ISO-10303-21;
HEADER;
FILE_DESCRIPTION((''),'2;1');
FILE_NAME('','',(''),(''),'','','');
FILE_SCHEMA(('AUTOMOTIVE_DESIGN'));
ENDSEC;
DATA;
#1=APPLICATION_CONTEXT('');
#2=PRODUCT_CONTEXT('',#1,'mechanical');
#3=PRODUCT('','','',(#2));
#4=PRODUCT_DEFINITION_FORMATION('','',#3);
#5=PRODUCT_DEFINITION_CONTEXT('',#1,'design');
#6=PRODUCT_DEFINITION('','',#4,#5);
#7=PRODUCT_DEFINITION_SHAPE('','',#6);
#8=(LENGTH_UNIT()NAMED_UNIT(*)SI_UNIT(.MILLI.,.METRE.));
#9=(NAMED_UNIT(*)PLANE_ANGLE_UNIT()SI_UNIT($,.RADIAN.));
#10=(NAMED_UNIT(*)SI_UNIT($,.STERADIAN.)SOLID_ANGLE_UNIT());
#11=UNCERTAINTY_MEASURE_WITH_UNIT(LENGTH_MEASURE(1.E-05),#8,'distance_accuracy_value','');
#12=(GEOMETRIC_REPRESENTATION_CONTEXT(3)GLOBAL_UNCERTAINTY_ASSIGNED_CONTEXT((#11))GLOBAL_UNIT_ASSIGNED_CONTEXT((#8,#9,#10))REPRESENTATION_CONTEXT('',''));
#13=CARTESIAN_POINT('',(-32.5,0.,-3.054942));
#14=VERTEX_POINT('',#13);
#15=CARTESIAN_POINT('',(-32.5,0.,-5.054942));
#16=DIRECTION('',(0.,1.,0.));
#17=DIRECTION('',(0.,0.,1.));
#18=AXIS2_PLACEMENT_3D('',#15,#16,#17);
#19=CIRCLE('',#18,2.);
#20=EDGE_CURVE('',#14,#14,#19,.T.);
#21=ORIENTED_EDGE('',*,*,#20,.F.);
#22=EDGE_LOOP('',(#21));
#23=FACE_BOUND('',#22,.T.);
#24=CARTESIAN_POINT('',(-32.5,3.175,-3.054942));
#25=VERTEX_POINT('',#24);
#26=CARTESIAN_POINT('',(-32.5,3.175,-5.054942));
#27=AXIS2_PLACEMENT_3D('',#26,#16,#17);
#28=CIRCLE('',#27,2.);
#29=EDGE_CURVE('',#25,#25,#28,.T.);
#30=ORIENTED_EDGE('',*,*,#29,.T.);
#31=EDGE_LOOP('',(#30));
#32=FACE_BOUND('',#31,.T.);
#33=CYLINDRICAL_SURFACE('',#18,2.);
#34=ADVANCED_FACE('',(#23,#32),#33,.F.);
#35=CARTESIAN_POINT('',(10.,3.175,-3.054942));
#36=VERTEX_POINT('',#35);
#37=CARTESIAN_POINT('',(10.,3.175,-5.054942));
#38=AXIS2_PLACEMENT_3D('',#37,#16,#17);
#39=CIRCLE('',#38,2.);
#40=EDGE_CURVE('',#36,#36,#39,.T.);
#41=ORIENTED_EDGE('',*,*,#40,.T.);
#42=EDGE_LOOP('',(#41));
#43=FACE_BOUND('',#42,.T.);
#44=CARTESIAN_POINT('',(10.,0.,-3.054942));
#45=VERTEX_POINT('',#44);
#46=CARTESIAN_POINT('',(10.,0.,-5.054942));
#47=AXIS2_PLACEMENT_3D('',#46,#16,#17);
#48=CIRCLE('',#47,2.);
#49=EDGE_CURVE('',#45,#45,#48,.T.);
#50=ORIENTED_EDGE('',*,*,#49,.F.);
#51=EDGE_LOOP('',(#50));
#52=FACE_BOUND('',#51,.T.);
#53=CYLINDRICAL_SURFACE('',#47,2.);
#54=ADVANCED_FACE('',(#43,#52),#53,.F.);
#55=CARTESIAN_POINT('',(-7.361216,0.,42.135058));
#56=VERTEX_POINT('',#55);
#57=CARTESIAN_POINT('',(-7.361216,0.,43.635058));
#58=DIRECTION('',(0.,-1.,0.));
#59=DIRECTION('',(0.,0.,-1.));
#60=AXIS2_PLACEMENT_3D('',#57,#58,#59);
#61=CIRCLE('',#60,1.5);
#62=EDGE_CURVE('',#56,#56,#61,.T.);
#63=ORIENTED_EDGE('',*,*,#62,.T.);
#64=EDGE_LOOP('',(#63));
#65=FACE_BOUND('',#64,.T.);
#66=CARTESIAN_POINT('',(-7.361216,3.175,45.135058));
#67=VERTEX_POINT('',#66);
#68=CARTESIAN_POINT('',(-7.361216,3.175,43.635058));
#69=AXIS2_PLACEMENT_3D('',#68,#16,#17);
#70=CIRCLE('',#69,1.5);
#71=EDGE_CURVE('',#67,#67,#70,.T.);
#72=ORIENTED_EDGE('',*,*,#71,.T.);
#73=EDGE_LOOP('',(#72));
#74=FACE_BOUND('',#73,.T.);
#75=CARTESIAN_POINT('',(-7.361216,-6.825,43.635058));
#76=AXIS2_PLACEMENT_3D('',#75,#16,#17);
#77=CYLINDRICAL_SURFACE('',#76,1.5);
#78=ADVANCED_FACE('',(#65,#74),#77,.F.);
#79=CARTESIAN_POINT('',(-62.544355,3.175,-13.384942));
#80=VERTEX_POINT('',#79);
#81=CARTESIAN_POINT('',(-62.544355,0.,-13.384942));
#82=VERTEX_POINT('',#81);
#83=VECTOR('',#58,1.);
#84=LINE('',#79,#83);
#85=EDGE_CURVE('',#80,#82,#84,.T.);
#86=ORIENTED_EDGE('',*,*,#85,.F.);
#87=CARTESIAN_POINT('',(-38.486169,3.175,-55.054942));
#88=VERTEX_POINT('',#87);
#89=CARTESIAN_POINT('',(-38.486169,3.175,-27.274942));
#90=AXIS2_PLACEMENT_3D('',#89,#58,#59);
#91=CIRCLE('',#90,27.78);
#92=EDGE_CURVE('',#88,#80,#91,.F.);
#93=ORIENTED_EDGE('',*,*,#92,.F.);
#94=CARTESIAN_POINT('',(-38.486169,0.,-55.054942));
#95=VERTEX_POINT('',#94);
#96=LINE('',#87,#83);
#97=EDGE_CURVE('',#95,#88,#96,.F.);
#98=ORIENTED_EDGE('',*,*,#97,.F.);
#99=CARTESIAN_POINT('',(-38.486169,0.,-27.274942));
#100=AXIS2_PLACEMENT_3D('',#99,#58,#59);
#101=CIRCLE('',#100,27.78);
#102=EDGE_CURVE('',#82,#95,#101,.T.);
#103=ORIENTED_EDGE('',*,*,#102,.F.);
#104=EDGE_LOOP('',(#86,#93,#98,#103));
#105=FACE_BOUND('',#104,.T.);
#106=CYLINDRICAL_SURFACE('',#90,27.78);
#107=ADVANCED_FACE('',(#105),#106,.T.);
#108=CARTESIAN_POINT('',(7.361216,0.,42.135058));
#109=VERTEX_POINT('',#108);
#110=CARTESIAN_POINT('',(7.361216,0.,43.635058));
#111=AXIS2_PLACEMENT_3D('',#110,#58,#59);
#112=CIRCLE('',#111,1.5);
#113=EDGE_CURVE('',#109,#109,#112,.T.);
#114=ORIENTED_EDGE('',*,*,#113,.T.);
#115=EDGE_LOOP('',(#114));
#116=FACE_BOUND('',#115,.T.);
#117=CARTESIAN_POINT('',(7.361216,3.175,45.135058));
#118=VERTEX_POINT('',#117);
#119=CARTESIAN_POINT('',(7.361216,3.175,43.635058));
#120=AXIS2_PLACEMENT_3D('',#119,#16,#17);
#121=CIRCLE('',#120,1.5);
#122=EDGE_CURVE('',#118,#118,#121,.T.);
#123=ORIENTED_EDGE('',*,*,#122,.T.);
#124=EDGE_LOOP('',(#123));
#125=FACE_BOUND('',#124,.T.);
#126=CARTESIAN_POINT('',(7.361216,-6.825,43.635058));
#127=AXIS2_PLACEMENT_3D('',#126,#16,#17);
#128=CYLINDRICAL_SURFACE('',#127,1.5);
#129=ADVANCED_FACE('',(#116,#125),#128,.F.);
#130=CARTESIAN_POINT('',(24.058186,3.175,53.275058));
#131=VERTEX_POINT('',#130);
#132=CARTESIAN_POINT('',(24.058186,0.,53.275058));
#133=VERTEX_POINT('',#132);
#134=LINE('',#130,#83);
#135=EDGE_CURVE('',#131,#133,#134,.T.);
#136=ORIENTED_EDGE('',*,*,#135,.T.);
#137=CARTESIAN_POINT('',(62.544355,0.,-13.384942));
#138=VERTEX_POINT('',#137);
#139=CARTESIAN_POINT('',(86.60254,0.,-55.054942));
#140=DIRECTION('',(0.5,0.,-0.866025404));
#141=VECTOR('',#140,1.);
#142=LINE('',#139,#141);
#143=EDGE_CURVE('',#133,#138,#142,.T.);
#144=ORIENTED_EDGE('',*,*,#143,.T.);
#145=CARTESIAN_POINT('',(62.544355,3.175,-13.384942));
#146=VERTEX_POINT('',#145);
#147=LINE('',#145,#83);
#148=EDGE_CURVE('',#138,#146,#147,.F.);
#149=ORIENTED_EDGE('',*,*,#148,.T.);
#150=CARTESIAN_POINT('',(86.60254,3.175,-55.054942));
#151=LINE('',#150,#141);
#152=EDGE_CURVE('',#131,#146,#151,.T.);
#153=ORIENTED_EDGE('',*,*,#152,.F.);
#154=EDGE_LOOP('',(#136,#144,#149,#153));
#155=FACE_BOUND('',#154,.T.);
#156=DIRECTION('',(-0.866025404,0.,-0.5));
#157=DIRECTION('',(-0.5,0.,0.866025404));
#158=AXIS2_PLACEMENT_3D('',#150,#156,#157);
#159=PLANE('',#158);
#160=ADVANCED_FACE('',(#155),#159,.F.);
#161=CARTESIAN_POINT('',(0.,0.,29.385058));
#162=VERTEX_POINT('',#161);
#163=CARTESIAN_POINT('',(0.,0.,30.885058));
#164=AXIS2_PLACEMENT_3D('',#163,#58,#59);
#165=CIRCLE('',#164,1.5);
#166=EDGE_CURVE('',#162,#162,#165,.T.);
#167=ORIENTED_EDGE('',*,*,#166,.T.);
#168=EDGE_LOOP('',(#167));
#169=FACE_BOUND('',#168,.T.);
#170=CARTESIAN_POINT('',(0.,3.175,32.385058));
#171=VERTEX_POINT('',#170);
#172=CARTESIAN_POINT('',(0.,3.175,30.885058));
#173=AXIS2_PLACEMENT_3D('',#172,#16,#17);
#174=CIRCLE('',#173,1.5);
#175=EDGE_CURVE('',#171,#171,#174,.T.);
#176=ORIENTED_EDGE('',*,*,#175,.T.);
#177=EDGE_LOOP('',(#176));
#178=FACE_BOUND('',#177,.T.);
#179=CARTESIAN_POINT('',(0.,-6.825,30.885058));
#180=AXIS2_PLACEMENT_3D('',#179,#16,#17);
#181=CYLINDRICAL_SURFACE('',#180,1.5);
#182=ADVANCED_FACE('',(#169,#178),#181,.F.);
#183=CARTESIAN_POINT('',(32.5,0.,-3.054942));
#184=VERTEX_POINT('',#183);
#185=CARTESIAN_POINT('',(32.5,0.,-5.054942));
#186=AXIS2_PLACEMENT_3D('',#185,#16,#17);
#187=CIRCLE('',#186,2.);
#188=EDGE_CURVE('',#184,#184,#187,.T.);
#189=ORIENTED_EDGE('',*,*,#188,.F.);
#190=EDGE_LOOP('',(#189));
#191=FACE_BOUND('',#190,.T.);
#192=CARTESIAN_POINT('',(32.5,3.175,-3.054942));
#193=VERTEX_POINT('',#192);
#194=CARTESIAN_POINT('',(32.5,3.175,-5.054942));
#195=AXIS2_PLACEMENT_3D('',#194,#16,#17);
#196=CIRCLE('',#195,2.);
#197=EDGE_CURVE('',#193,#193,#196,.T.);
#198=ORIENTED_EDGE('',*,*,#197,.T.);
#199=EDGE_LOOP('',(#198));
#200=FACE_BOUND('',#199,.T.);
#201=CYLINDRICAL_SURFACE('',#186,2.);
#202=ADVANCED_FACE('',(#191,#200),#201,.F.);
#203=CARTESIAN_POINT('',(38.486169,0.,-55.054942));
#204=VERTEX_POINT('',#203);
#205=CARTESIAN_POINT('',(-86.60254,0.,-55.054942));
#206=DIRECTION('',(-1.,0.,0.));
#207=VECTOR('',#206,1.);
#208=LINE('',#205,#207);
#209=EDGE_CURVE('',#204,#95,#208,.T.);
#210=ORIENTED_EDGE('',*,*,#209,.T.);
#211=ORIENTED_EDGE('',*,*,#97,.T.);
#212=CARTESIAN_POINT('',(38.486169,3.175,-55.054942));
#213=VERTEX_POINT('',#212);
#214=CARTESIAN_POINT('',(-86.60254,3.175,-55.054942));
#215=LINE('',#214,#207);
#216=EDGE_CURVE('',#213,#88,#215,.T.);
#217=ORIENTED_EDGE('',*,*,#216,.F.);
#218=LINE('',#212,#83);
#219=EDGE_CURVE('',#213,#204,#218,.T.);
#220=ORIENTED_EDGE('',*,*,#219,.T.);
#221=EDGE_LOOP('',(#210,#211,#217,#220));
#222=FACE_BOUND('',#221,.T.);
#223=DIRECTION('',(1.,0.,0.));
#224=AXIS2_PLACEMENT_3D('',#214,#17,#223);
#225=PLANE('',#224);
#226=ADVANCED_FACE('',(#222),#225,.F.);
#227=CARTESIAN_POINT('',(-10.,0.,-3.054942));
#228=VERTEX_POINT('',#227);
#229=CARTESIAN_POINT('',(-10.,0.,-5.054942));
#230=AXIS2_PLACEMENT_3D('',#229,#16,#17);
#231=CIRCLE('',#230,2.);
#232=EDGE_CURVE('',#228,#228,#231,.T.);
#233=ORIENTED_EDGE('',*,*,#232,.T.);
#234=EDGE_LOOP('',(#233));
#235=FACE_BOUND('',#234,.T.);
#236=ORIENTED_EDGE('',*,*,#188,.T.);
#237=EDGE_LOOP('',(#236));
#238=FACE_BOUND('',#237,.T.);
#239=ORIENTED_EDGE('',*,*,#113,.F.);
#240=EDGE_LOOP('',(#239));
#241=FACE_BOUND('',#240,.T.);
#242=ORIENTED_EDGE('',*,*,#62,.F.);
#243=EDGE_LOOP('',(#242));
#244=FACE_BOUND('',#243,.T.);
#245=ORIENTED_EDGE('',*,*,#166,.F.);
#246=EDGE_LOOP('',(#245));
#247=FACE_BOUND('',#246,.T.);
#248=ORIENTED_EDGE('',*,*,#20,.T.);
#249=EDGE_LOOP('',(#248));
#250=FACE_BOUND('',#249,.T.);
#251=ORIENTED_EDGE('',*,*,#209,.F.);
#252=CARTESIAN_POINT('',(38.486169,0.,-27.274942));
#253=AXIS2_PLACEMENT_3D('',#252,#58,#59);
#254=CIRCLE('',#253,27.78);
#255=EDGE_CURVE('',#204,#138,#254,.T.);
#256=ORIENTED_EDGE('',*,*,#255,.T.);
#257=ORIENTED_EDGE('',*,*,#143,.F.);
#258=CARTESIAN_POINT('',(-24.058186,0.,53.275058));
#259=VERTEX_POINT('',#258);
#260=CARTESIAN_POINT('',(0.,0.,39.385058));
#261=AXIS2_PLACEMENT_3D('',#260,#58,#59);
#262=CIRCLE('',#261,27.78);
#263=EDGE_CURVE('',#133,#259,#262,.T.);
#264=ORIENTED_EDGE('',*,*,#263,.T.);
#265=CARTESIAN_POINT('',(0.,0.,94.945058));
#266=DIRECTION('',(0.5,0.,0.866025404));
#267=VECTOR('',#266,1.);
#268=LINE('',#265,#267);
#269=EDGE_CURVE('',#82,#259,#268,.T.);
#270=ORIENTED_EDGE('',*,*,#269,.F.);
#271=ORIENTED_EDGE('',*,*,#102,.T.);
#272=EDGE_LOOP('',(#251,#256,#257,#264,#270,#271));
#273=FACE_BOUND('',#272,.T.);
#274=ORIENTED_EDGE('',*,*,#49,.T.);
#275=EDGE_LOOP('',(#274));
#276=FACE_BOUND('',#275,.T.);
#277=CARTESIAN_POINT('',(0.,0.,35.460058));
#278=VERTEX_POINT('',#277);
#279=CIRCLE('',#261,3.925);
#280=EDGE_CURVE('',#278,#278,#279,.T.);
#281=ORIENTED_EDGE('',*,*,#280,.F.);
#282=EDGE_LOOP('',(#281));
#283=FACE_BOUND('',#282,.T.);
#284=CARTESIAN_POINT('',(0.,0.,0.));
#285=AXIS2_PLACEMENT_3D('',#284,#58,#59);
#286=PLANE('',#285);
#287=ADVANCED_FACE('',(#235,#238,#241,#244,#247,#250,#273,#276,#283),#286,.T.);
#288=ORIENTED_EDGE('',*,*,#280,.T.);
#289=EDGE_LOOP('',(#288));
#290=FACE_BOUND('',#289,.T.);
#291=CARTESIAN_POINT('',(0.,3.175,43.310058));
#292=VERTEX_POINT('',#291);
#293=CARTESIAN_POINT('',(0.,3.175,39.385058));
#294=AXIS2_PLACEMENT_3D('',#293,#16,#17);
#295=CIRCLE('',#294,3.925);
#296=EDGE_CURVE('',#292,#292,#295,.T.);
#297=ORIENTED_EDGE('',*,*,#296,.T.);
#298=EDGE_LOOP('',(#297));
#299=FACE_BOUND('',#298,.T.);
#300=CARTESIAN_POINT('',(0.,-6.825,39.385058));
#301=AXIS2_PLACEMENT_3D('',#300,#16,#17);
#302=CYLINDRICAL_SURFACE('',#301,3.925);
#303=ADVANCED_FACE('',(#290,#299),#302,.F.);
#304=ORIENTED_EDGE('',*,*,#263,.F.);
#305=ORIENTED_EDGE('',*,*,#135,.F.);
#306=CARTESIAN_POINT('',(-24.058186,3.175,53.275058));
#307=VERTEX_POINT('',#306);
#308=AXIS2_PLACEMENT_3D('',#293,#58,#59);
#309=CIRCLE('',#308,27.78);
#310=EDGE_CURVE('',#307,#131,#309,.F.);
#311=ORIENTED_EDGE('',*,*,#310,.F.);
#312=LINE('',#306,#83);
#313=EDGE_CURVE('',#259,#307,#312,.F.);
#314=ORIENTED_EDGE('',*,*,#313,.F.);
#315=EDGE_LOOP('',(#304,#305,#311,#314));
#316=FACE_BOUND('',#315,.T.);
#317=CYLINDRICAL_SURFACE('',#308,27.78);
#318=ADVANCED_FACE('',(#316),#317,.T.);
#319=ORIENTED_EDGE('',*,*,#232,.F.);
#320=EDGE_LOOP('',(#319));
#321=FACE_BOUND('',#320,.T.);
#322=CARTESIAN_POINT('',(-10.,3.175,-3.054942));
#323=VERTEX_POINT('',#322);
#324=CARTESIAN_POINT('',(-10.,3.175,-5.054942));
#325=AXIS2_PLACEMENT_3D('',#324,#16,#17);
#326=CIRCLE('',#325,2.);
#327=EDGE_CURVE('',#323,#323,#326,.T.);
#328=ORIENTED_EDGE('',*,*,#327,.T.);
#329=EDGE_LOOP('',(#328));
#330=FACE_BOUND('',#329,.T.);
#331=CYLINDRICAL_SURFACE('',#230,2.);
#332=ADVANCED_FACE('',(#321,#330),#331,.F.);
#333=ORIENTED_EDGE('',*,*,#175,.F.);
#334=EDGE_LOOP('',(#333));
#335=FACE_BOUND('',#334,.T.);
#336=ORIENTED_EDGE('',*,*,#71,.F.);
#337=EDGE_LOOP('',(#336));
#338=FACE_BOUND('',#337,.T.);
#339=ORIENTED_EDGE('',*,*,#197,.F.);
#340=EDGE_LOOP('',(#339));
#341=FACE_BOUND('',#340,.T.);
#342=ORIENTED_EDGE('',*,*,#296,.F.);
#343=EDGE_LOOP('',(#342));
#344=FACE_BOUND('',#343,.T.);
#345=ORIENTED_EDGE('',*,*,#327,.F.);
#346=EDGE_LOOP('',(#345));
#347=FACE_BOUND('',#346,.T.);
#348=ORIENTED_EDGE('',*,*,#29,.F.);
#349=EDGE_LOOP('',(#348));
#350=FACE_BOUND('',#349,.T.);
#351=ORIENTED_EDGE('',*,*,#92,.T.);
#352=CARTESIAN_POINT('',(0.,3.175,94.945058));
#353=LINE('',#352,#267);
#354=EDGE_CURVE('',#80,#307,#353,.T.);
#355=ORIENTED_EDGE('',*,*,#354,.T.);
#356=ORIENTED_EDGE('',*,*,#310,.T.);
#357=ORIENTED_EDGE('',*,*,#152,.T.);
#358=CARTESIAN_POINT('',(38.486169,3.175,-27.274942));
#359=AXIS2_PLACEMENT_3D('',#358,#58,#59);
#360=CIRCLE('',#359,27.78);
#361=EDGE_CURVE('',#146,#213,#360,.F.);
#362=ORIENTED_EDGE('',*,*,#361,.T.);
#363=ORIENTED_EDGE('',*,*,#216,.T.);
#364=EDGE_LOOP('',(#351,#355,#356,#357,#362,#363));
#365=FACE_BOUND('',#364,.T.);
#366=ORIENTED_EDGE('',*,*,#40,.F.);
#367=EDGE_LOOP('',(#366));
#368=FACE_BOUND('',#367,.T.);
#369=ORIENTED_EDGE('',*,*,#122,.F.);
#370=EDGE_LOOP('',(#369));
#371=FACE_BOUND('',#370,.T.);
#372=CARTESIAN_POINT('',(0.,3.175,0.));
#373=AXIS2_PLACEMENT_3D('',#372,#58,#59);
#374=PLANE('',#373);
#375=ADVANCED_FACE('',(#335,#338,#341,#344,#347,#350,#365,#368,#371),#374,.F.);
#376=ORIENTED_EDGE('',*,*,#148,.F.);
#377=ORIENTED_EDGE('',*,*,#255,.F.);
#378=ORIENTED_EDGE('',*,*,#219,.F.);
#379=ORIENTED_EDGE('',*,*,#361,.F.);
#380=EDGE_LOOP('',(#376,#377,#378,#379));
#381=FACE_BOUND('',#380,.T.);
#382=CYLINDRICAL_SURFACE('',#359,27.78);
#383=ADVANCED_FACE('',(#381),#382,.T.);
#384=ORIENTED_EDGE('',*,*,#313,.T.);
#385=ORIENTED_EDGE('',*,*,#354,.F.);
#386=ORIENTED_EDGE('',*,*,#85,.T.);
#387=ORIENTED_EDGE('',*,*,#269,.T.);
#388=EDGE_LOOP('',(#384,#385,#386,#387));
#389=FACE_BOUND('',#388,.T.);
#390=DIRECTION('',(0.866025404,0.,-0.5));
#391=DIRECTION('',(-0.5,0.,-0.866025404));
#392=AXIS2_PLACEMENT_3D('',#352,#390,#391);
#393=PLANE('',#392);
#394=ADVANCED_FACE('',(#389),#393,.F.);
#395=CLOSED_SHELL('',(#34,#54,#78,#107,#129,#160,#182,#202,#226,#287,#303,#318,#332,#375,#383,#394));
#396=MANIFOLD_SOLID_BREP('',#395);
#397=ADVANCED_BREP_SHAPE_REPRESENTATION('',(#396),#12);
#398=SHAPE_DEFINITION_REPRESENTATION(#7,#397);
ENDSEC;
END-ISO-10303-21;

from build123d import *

# Parameters (mm, degrees)
BOSS_EXTRUDE1_DEPTH = 3.175
FILLET1_R           = 27.78
SKETCH5_R           = 2
CUT_EXTRUDE2_DEPTH  = 95.405671522
SKETCH7_R           = 1.5
SKETCH7_R_2         = 3.925
CUT_EXTRUDE3_DEPTH  = 10


with BuildPart() as part:
    # Sketch1 → Boss-Extrude1 (new body)
    with BuildSketch(Plane(origin=(0, 0, 0), x_dir=(1, 0, 0), z_dir=(0, 1, 0))):
        Polygon((0, -94.945058207), (-86.602540378, 55.054941793), (86.602540378, 55.054941793), align=None)
    extrude(amount=BOSS_EXTRUDE1_DEPTH)

    # Fillet1
    fillet1_edges = [part.edges().sort_by_distance(p)[0] for p in [
        (0, 1.5875, 94.945058207),
        (-86.602540378, 1.5875, -55.054941793),
        (86.602540378, 1.5875, -55.054941793),
    ]]
    fillet(fillet1_edges, radius=FILLET1_R)

    # Sketch5 → Cut-Extrude2 (cut, through all)
    with BuildSketch(Plane(origin=(0, 3.175, 0), x_dir=(1, 0, 0), z_dir=(0, 1, 0))):
        with Locations(Location((32.5, 5.054941793, 0), (0, 0, 270))):
            Circle(SKETCH5_R)
        with Locations(Location((-32.5, 5.054941793, 0), (0, 0, 270))):
            Circle(SKETCH5_R)
        with Locations(Location((-10, 5.054941793, 0), (0, 0, 270))):
            Circle(SKETCH5_R)
        with Locations(Location((10, 5.054941793, 0), (0, 0, 270))):
            Circle(SKETCH5_R)
    extrude(amount=-CUT_EXTRUDE2_DEPTH, mode=Mode.SUBTRACT)

    # Sketch7 → Cut-Extrude3 (cut)
    with BuildSketch(Plane(origin=(0, 3.175, 0), x_dir=(1, 0, 0), z_dir=(0, 1, 0))):
        with Locations(Location((0, -30.885058207, 0), (0, 0, 270))):
            Circle(SKETCH7_R)
        with Locations(Location((-7.361215932, -43.635058207, 0), (0, 0, 270))):
            Circle(SKETCH7_R)
        with Locations(Location((0, -39.385058207, 0), (0, 0, 270))):
            Circle(SKETCH7_R_2)
        with Locations(Location((7.361215932, -43.635058207, 0), (0, 0, 270))):
            Circle(SKETCH7_R)
    extrude(amount=-CUT_EXTRUDE3_DEPTH, mode=Mode.SUBTRACT)


solid = part.part
